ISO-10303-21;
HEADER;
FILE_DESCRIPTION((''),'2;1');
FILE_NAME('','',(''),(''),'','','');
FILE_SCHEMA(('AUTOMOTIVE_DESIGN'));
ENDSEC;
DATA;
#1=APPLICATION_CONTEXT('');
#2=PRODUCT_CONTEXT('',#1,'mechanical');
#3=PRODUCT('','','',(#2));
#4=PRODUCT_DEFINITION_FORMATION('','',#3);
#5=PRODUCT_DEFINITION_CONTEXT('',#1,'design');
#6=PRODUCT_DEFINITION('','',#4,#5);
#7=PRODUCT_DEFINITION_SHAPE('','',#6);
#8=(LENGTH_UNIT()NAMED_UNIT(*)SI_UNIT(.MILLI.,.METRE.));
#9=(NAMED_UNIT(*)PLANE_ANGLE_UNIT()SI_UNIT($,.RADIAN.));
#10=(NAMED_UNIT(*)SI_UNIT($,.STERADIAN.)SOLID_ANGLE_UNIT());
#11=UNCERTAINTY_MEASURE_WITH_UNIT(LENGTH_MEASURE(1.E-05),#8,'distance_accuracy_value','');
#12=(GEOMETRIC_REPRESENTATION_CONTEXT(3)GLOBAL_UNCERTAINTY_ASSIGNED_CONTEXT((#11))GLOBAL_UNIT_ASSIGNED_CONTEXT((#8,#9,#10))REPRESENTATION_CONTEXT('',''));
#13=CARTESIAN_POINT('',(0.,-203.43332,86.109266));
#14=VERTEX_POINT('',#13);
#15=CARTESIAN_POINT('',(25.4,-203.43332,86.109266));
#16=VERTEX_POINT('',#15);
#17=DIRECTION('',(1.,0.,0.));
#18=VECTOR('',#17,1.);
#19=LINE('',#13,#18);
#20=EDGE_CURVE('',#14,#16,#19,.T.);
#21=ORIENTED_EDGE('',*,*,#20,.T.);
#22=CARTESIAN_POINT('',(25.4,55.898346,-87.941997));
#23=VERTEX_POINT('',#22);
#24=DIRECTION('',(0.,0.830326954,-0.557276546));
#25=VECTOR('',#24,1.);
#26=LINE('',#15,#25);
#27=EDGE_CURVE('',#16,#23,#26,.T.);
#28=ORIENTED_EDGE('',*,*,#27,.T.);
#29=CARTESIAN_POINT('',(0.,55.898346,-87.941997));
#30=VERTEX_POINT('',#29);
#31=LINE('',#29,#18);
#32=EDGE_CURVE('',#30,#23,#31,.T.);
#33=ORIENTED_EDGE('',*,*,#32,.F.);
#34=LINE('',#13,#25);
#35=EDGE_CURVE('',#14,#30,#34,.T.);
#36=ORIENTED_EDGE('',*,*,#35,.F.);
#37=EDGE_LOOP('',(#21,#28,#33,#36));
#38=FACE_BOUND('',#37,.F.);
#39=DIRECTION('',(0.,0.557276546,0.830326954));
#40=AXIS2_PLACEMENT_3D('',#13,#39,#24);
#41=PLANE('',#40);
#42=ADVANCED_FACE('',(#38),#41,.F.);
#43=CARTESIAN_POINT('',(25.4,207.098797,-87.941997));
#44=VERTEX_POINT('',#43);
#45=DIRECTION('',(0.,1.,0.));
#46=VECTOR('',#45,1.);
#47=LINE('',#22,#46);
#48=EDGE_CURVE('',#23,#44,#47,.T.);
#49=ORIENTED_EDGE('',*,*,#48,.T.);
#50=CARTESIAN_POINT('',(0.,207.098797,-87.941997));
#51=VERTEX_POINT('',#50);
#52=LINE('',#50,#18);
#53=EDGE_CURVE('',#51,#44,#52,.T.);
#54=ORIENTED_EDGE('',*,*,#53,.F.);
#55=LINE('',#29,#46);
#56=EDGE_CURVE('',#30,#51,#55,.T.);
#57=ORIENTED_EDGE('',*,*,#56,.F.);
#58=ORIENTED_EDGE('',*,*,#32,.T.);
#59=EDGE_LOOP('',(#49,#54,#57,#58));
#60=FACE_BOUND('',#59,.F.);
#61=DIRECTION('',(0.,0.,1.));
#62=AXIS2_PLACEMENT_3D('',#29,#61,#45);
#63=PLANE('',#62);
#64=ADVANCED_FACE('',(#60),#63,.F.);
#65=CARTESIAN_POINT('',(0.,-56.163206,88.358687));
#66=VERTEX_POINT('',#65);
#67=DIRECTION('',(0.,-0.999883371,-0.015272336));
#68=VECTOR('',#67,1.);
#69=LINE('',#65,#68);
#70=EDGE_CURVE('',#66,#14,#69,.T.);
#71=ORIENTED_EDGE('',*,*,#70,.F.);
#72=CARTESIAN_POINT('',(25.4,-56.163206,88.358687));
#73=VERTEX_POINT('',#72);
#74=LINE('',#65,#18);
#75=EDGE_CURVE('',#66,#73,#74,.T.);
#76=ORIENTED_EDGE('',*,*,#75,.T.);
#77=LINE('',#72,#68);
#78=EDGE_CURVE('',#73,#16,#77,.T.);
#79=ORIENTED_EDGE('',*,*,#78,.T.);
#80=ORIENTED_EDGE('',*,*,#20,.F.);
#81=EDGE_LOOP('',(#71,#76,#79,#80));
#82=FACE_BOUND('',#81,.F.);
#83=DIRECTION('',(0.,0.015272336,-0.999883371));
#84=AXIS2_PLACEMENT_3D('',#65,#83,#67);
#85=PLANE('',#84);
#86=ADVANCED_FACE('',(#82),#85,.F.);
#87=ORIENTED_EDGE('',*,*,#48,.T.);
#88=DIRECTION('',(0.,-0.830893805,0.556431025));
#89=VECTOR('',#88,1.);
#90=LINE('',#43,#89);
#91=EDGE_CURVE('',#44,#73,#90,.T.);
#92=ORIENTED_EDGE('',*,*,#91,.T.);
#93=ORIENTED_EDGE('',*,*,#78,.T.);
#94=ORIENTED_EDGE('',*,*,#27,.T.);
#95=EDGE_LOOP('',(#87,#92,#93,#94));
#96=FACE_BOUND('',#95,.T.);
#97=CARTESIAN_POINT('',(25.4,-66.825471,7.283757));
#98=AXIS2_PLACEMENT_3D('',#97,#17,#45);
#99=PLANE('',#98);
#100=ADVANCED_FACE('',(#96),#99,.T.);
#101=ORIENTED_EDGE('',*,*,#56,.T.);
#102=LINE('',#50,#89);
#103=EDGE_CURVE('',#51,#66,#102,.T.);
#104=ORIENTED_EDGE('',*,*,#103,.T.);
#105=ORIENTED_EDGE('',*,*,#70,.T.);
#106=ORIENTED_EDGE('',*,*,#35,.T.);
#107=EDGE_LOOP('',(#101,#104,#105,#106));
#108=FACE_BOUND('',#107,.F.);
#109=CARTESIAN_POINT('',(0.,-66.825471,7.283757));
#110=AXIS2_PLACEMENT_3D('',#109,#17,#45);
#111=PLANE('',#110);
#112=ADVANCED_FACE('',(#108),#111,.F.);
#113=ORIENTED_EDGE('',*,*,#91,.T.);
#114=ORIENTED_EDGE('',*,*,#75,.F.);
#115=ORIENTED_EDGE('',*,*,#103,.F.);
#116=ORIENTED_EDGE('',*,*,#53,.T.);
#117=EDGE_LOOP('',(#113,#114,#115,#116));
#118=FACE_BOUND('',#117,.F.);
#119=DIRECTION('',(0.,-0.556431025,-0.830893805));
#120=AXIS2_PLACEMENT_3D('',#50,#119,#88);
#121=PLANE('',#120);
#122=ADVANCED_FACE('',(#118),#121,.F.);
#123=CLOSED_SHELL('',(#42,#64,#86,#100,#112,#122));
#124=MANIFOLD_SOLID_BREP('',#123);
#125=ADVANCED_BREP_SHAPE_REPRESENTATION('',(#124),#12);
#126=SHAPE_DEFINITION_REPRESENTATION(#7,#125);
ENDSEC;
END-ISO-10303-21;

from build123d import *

# Parameters (mm, degrees)
F1_DEPTH = 25.4


with BuildPart() as f1:
    # F0 (on Right) → F1 (new body)
    with BuildSketch(Plane.YZ):
        Polygon((55.898346, -87.941997), (0, 0), (-203.43332, 86.109266), align=None)
        Polygon((-56.163206, 88.358687), (0, 0), (207.098797, -87.941997), align=None)
        Polygon((207.098797, -87.941997), (0, 0), (55.898346, -87.941997), align=None)
        Polygon((-203.43332, 86.109266), (0, 0), (-56.163206, 88.358687), align=None)
    extrude(amount=F1_DEPTH)


solid = f1.part
